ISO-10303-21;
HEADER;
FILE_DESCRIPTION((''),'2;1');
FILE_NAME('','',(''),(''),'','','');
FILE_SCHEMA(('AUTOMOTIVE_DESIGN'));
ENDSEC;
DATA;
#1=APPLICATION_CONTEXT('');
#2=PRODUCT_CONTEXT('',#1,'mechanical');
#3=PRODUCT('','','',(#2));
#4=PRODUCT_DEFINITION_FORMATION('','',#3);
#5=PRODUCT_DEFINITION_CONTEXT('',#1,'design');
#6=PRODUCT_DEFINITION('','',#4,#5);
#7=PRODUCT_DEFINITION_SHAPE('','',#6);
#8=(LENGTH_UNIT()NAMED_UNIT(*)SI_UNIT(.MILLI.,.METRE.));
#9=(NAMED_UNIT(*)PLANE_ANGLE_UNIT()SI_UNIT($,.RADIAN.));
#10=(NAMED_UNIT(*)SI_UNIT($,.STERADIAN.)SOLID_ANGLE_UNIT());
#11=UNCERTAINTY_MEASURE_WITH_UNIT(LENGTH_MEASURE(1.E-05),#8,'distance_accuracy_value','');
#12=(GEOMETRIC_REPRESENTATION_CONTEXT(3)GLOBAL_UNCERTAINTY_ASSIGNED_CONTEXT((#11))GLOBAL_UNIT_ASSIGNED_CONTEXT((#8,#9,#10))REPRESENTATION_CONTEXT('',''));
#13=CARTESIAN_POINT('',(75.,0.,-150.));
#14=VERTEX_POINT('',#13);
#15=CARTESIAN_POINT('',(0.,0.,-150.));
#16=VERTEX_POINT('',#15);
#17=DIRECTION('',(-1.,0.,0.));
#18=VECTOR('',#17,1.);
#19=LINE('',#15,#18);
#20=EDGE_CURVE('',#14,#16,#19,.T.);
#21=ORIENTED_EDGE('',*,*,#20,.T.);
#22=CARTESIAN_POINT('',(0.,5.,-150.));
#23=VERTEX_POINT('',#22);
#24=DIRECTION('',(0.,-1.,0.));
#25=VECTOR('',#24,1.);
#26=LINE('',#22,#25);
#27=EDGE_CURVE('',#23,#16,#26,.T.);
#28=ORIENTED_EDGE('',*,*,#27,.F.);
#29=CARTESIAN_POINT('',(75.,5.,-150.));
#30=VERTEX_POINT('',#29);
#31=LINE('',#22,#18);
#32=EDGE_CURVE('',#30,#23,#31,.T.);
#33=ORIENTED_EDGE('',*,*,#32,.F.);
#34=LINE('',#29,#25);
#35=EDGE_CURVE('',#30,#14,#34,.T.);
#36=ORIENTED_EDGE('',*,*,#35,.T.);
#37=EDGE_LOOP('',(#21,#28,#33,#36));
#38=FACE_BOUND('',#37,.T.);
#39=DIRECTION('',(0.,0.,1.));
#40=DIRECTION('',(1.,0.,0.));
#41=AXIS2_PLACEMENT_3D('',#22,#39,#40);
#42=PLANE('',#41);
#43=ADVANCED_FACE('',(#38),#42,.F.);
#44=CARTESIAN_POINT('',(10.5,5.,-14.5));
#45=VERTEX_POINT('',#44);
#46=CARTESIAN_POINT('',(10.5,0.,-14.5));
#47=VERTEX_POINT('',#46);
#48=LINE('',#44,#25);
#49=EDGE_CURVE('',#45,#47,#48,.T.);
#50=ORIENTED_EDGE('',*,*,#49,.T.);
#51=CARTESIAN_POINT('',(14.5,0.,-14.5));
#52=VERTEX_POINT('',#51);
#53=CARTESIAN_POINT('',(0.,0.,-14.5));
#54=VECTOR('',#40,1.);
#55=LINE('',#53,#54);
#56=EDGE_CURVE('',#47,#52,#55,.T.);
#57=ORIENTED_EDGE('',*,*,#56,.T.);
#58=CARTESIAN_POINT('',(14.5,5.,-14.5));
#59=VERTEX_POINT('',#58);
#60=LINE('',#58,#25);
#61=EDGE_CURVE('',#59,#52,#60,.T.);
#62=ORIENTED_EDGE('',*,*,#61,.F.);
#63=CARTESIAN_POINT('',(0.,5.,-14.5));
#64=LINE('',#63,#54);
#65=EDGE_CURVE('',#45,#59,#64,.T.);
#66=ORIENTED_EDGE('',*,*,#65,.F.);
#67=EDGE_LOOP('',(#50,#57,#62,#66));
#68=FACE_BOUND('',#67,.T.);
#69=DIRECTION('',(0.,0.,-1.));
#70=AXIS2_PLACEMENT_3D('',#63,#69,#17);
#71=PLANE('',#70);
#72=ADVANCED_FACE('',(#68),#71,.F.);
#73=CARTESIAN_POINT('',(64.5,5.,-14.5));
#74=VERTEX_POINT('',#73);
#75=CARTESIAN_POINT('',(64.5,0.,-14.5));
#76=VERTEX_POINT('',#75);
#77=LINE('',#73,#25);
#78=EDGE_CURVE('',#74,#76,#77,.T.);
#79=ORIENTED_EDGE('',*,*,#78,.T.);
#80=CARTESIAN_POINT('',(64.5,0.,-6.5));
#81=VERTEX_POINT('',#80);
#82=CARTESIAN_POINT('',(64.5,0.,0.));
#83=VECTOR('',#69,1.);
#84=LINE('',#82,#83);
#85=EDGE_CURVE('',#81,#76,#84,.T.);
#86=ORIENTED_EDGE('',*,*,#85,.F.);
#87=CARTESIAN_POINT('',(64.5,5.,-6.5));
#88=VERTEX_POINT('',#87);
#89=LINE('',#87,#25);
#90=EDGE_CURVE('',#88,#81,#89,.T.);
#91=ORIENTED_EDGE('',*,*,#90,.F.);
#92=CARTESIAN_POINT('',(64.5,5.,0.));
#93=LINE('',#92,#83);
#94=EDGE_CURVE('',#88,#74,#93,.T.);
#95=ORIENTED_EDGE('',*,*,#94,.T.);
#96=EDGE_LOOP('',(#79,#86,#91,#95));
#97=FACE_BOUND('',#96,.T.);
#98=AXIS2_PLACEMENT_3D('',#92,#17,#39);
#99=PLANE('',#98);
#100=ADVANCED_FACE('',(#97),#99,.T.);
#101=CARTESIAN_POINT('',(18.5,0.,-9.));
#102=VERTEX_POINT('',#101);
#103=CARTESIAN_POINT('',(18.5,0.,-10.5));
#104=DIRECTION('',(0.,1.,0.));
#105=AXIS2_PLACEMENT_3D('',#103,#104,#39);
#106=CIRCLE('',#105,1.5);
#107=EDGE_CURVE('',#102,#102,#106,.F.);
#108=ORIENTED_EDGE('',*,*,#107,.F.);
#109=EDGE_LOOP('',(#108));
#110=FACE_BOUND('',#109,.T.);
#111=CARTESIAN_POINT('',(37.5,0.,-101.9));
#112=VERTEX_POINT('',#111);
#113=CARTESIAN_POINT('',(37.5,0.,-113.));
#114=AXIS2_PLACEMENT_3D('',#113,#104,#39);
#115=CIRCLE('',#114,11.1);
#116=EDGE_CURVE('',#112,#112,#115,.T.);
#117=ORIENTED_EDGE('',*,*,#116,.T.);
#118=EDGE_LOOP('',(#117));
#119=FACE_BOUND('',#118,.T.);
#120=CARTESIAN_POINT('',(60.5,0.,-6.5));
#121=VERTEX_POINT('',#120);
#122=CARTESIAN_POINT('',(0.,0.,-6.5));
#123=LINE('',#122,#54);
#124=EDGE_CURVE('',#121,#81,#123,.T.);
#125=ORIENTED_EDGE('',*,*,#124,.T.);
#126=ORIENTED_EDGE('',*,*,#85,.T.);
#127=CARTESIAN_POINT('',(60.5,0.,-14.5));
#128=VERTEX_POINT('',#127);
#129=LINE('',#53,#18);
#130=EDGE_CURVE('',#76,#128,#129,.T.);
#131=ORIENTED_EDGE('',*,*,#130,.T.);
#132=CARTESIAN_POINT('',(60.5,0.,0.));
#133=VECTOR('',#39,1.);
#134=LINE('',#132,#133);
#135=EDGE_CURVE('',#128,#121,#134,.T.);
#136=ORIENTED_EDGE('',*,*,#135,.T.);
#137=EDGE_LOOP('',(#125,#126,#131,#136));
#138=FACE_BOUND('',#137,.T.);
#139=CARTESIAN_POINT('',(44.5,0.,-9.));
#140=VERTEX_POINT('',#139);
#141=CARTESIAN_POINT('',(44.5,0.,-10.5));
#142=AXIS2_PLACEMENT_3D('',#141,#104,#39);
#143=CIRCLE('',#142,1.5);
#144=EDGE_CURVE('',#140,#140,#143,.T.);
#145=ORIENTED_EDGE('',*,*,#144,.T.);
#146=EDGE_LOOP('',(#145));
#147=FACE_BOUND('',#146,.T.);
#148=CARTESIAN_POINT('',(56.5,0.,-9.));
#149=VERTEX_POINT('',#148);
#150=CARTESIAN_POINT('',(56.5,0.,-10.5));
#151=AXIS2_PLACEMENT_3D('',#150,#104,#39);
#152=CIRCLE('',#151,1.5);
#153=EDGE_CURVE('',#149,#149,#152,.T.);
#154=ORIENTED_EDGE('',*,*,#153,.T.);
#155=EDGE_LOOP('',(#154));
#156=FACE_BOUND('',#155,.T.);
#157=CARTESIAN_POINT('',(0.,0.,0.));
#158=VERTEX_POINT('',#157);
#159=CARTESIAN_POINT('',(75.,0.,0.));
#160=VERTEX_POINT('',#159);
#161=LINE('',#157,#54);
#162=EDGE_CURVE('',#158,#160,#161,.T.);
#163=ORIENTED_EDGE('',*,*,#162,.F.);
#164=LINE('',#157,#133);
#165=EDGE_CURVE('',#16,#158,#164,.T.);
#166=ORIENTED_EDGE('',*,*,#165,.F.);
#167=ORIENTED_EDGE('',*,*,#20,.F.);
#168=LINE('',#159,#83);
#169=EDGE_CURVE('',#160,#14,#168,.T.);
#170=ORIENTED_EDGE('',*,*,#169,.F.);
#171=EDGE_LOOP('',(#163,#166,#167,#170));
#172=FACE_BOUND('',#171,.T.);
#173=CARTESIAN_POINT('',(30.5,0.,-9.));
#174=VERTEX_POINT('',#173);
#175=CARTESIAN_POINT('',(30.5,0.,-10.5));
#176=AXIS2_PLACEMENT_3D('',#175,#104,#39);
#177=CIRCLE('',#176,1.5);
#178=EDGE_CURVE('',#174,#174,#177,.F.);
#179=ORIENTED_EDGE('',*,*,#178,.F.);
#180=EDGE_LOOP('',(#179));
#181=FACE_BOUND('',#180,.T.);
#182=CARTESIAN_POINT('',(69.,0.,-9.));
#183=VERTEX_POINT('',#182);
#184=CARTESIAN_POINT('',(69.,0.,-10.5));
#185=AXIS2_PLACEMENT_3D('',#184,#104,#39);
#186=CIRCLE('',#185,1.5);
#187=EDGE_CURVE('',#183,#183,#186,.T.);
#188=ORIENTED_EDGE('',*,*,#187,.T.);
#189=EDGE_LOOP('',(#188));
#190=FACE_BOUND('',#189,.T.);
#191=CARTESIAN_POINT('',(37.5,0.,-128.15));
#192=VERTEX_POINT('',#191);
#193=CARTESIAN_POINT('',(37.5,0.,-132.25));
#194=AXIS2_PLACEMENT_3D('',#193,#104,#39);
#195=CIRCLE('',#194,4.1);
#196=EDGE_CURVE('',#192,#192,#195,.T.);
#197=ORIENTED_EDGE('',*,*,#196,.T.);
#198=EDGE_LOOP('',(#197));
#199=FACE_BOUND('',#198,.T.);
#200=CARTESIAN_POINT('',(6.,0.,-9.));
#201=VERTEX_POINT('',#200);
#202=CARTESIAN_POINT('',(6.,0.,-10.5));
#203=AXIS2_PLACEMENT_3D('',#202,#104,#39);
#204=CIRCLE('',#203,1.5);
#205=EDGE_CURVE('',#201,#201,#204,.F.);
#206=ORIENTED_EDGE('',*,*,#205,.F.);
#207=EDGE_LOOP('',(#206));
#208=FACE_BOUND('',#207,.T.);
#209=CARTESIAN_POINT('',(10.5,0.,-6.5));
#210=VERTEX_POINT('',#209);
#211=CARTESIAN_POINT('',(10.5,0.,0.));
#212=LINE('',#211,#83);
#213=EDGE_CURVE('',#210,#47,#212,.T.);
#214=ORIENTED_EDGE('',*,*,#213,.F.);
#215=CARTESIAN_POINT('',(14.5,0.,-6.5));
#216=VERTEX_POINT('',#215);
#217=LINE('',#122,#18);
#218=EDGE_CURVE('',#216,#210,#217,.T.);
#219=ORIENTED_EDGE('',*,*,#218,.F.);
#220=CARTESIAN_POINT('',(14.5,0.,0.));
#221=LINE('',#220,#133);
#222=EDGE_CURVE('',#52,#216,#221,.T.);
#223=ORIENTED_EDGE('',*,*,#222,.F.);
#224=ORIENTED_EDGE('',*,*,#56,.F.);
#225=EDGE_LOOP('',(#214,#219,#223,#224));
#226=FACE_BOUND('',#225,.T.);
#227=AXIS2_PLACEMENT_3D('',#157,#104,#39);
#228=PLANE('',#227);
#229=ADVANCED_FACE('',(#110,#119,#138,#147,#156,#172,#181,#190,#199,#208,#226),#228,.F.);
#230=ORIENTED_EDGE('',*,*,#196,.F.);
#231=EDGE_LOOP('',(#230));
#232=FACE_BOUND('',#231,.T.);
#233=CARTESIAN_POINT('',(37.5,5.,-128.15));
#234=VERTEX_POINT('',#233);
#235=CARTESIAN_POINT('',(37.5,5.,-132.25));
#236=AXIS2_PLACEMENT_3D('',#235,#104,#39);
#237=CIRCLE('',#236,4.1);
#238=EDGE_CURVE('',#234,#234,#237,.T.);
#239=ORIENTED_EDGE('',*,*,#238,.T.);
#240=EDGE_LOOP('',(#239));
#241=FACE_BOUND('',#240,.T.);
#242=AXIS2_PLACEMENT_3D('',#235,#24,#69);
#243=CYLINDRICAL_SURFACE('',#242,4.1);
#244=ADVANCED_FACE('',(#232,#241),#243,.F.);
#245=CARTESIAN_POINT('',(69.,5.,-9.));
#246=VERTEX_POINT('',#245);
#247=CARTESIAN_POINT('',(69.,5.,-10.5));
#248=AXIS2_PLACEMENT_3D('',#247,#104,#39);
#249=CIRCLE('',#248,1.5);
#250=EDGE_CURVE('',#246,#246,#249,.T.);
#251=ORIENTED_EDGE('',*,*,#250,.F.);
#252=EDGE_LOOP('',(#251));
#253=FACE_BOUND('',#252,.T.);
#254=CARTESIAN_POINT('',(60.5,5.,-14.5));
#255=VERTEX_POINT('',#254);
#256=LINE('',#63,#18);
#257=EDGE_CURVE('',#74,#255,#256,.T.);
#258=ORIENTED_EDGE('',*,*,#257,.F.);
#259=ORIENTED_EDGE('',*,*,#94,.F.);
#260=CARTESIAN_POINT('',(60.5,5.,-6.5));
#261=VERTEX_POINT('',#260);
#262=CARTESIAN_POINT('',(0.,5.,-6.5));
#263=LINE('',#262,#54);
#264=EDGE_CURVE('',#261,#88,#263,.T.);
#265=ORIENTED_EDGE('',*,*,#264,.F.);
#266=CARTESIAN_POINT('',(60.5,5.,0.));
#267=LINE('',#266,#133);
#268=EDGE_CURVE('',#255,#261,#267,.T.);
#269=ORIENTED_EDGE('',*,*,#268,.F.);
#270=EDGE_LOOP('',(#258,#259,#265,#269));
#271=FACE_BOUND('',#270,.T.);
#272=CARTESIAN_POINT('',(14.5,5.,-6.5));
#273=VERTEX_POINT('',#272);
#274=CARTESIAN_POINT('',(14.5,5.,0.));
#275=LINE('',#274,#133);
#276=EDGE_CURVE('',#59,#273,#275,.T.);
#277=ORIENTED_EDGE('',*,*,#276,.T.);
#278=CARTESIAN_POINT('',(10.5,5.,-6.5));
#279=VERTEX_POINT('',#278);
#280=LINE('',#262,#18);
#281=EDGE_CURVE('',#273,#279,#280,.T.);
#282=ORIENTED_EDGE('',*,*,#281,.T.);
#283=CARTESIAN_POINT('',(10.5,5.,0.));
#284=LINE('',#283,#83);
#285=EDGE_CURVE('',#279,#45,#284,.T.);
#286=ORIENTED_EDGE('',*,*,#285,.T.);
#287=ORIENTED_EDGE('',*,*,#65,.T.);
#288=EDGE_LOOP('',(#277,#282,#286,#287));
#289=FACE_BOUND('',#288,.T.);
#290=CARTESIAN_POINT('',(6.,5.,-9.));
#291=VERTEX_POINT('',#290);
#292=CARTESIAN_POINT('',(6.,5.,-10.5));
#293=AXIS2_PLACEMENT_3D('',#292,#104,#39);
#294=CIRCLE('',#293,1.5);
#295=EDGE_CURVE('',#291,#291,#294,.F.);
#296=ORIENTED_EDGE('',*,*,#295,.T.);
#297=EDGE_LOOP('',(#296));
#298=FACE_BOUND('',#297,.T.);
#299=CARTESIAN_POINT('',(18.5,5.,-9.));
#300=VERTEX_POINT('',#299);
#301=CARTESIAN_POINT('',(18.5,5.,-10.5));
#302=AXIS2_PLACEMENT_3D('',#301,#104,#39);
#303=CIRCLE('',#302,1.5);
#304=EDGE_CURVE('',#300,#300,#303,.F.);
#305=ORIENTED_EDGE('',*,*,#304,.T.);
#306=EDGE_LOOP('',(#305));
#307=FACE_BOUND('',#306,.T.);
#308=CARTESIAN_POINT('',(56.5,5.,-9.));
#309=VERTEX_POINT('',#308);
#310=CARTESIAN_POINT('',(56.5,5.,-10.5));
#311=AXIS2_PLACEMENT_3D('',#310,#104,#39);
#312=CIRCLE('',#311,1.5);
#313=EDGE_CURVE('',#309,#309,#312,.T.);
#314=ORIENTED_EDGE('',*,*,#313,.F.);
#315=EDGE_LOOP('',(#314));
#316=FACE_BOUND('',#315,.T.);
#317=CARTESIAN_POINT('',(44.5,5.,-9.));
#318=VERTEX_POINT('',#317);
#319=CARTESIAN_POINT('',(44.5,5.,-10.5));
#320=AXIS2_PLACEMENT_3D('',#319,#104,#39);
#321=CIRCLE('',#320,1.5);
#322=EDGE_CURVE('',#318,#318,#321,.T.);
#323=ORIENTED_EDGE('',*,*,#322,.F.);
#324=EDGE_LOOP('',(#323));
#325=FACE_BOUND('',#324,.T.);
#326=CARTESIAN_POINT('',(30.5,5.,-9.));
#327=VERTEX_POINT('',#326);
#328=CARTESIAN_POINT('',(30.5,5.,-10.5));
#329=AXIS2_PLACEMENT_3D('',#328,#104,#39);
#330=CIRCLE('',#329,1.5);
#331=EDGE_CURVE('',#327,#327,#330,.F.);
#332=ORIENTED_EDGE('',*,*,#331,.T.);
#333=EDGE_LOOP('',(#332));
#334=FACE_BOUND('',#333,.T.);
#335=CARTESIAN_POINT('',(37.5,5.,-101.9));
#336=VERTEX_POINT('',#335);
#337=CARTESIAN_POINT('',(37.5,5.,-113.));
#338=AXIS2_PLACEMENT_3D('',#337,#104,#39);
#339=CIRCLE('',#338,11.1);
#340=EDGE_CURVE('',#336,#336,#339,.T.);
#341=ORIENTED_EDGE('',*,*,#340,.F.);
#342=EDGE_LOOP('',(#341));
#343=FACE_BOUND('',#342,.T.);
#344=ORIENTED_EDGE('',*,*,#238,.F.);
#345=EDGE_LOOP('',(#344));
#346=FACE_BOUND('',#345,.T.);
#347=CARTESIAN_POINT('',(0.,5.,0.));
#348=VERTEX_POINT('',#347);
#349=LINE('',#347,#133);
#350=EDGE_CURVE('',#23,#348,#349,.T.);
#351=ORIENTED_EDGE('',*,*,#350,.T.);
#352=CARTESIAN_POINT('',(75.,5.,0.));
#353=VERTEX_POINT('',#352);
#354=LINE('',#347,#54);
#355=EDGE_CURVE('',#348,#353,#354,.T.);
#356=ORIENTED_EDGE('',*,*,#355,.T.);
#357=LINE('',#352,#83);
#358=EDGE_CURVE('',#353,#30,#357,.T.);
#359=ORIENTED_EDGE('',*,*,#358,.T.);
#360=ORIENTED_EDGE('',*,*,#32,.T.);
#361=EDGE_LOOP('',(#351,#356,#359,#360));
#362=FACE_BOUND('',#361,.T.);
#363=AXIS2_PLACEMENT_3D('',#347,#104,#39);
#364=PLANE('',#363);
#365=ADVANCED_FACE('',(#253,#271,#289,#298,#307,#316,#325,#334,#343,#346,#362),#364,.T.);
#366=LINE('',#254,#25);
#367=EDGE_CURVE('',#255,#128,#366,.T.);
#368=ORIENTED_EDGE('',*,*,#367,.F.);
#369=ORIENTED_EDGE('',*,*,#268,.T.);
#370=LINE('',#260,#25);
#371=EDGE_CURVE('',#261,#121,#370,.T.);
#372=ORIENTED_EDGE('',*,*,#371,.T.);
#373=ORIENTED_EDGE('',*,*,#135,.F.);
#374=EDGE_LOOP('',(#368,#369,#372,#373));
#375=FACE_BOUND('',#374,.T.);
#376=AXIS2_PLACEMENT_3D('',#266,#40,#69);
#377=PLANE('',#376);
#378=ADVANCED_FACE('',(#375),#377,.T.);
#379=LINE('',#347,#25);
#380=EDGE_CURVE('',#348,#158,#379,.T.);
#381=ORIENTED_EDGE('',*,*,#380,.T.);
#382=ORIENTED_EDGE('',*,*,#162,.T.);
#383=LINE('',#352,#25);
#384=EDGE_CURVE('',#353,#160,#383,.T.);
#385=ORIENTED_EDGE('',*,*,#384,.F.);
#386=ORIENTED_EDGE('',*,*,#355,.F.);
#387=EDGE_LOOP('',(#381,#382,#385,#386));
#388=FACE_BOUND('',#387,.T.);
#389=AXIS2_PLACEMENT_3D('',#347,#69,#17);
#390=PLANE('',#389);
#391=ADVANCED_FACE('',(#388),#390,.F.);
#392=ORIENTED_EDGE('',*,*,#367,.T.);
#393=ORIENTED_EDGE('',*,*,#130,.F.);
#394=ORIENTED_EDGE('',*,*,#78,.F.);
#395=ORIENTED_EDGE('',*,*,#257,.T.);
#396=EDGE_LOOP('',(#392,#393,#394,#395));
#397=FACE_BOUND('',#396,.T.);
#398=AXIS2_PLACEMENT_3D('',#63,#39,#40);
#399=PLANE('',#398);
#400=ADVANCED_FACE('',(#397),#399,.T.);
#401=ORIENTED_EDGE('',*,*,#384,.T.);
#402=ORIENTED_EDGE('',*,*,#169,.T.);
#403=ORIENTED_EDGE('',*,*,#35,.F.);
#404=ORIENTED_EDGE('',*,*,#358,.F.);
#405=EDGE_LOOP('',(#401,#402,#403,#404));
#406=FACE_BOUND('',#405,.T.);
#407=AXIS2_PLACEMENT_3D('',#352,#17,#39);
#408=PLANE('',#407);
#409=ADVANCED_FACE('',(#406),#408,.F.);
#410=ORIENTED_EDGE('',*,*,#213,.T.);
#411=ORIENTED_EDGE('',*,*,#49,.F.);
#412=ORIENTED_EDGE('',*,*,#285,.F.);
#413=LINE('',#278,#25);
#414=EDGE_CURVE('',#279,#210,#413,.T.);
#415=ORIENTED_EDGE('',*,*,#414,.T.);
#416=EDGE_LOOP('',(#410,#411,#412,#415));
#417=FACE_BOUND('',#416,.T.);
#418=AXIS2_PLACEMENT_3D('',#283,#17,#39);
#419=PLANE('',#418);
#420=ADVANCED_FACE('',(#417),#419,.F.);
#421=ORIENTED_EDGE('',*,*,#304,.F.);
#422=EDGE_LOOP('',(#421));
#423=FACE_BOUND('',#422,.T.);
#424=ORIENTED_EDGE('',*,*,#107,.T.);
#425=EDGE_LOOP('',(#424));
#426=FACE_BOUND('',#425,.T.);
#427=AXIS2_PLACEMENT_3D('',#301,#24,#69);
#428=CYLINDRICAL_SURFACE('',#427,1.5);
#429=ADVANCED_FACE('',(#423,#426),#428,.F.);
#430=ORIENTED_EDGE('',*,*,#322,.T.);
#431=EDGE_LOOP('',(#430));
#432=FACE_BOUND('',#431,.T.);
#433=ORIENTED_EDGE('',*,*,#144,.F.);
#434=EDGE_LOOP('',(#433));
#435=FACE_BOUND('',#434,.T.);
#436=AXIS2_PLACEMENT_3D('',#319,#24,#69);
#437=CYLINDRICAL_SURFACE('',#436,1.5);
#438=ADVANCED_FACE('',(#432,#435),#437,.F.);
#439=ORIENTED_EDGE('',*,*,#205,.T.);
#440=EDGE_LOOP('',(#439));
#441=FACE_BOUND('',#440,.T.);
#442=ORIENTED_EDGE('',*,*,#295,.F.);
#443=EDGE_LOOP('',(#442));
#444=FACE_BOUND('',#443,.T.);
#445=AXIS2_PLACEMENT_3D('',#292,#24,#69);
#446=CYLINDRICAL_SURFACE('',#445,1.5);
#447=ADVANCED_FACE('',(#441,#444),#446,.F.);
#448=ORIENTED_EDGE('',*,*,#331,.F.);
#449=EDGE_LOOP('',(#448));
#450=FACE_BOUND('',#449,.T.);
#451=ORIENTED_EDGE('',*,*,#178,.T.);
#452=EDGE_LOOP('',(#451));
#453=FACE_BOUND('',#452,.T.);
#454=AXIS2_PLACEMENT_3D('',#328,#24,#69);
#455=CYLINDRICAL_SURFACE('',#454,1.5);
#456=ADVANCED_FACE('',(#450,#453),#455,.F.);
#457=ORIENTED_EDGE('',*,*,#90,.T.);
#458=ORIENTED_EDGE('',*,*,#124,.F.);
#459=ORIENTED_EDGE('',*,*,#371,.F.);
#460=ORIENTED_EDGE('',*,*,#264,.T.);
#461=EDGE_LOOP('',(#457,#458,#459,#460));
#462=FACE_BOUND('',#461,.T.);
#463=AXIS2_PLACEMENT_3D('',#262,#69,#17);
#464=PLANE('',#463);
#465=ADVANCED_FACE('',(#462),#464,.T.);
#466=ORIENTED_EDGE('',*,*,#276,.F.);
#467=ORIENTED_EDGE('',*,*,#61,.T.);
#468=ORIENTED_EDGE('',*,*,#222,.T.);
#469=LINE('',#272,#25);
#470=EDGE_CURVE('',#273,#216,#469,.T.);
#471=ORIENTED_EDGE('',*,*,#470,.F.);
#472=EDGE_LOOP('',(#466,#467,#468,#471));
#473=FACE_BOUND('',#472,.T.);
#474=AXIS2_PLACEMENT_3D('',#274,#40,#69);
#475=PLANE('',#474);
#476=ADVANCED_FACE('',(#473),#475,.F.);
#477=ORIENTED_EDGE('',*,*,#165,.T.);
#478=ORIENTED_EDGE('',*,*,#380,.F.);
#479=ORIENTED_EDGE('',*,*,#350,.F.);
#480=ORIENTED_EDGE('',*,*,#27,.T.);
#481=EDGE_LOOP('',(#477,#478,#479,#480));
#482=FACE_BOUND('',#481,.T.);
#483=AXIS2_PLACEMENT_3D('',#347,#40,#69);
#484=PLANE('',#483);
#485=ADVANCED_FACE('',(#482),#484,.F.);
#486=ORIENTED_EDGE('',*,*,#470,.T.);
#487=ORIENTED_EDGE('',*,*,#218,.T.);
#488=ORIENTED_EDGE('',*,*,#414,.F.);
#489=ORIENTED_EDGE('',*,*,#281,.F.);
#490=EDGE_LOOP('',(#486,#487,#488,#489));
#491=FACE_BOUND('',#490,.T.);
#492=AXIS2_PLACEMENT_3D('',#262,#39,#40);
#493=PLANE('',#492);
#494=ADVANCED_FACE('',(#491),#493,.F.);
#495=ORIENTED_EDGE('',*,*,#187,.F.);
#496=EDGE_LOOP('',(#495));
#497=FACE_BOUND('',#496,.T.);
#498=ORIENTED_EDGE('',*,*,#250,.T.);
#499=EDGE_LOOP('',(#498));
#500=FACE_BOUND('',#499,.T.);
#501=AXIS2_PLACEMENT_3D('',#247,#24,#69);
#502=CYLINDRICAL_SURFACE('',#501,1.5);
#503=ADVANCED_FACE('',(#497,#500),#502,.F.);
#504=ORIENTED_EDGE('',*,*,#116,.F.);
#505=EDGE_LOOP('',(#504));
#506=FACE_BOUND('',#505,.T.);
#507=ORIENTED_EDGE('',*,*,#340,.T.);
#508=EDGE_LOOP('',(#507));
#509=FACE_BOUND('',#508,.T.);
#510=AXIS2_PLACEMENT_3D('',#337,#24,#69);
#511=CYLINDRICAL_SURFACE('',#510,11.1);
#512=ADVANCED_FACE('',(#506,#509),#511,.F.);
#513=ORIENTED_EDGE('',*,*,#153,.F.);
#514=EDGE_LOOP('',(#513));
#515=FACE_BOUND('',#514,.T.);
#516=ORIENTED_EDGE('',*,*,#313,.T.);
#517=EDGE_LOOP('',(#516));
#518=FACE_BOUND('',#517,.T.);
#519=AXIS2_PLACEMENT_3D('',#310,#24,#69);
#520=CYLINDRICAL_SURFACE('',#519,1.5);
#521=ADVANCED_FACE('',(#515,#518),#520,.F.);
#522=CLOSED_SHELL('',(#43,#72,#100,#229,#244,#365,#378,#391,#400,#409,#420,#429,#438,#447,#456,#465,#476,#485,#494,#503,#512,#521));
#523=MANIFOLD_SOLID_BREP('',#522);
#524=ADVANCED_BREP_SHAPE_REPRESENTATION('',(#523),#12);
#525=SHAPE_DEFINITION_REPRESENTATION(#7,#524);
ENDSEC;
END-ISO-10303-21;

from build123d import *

# Parameters (mm, degrees)
SKETCH_1_R      = 1.5
SKETCH_1_W      = 4
SKETCH_1_H      = 8
SKETCH_1_R_2    = 4.1
SKETCH_1_R_3    = 11.1
EXTRUDE_6_DEPTH = 5


with BuildPart() as part:
    # 草图1 → 凸台-拉伸6 (new body)
    with BuildSketch(Plane(origin=(0, 0, 0), x_dir=(1, 0, 0), z_dir=(0, 1, 0))):
        Polygon((75, 150), (37.5, 150), (0, 150), (0, 0), (75, 0), align=None)
        with Locations((6, 10.5)):
            Circle(SKETCH_1_R, mode=Mode.SUBTRACT)
        with Locations((12.5, 10.5)):
            Rectangle(SKETCH_1_W, SKETCH_1_H, mode=Mode.SUBTRACT)
        with Locations((18.5, 10.5)):
            Circle(SKETCH_1_R, mode=Mode.SUBTRACT)
        with Locations((30.5, 10.5)):
            Circle(SKETCH_1_R, mode=Mode.SUBTRACT)
        with Locations((44.5, 10.5)):
            Circle(SKETCH_1_R, mode=Mode.SUBTRACT)
        with Locations((56.5, 10.5)):
            Circle(SKETCH_1_R, mode=Mode.SUBTRACT)
        with Locations((62.5, 10.5)):
            Rectangle(SKETCH_1_W, SKETCH_1_H, mode=Mode.SUBTRACT)
        with Locations((69, 10.5)):
            Circle(SKETCH_1_R, mode=Mode.SUBTRACT)
        with Locations((37.5, 132.25)):
            Circle(SKETCH_1_R_2, mode=Mode.SUBTRACT)
        with Locations((37.5, 113)):
            Circle(SKETCH_1_R_3, mode=Mode.SUBTRACT)
    extrude(amount=EXTRUDE_6_DEPTH)


solid = part.part
